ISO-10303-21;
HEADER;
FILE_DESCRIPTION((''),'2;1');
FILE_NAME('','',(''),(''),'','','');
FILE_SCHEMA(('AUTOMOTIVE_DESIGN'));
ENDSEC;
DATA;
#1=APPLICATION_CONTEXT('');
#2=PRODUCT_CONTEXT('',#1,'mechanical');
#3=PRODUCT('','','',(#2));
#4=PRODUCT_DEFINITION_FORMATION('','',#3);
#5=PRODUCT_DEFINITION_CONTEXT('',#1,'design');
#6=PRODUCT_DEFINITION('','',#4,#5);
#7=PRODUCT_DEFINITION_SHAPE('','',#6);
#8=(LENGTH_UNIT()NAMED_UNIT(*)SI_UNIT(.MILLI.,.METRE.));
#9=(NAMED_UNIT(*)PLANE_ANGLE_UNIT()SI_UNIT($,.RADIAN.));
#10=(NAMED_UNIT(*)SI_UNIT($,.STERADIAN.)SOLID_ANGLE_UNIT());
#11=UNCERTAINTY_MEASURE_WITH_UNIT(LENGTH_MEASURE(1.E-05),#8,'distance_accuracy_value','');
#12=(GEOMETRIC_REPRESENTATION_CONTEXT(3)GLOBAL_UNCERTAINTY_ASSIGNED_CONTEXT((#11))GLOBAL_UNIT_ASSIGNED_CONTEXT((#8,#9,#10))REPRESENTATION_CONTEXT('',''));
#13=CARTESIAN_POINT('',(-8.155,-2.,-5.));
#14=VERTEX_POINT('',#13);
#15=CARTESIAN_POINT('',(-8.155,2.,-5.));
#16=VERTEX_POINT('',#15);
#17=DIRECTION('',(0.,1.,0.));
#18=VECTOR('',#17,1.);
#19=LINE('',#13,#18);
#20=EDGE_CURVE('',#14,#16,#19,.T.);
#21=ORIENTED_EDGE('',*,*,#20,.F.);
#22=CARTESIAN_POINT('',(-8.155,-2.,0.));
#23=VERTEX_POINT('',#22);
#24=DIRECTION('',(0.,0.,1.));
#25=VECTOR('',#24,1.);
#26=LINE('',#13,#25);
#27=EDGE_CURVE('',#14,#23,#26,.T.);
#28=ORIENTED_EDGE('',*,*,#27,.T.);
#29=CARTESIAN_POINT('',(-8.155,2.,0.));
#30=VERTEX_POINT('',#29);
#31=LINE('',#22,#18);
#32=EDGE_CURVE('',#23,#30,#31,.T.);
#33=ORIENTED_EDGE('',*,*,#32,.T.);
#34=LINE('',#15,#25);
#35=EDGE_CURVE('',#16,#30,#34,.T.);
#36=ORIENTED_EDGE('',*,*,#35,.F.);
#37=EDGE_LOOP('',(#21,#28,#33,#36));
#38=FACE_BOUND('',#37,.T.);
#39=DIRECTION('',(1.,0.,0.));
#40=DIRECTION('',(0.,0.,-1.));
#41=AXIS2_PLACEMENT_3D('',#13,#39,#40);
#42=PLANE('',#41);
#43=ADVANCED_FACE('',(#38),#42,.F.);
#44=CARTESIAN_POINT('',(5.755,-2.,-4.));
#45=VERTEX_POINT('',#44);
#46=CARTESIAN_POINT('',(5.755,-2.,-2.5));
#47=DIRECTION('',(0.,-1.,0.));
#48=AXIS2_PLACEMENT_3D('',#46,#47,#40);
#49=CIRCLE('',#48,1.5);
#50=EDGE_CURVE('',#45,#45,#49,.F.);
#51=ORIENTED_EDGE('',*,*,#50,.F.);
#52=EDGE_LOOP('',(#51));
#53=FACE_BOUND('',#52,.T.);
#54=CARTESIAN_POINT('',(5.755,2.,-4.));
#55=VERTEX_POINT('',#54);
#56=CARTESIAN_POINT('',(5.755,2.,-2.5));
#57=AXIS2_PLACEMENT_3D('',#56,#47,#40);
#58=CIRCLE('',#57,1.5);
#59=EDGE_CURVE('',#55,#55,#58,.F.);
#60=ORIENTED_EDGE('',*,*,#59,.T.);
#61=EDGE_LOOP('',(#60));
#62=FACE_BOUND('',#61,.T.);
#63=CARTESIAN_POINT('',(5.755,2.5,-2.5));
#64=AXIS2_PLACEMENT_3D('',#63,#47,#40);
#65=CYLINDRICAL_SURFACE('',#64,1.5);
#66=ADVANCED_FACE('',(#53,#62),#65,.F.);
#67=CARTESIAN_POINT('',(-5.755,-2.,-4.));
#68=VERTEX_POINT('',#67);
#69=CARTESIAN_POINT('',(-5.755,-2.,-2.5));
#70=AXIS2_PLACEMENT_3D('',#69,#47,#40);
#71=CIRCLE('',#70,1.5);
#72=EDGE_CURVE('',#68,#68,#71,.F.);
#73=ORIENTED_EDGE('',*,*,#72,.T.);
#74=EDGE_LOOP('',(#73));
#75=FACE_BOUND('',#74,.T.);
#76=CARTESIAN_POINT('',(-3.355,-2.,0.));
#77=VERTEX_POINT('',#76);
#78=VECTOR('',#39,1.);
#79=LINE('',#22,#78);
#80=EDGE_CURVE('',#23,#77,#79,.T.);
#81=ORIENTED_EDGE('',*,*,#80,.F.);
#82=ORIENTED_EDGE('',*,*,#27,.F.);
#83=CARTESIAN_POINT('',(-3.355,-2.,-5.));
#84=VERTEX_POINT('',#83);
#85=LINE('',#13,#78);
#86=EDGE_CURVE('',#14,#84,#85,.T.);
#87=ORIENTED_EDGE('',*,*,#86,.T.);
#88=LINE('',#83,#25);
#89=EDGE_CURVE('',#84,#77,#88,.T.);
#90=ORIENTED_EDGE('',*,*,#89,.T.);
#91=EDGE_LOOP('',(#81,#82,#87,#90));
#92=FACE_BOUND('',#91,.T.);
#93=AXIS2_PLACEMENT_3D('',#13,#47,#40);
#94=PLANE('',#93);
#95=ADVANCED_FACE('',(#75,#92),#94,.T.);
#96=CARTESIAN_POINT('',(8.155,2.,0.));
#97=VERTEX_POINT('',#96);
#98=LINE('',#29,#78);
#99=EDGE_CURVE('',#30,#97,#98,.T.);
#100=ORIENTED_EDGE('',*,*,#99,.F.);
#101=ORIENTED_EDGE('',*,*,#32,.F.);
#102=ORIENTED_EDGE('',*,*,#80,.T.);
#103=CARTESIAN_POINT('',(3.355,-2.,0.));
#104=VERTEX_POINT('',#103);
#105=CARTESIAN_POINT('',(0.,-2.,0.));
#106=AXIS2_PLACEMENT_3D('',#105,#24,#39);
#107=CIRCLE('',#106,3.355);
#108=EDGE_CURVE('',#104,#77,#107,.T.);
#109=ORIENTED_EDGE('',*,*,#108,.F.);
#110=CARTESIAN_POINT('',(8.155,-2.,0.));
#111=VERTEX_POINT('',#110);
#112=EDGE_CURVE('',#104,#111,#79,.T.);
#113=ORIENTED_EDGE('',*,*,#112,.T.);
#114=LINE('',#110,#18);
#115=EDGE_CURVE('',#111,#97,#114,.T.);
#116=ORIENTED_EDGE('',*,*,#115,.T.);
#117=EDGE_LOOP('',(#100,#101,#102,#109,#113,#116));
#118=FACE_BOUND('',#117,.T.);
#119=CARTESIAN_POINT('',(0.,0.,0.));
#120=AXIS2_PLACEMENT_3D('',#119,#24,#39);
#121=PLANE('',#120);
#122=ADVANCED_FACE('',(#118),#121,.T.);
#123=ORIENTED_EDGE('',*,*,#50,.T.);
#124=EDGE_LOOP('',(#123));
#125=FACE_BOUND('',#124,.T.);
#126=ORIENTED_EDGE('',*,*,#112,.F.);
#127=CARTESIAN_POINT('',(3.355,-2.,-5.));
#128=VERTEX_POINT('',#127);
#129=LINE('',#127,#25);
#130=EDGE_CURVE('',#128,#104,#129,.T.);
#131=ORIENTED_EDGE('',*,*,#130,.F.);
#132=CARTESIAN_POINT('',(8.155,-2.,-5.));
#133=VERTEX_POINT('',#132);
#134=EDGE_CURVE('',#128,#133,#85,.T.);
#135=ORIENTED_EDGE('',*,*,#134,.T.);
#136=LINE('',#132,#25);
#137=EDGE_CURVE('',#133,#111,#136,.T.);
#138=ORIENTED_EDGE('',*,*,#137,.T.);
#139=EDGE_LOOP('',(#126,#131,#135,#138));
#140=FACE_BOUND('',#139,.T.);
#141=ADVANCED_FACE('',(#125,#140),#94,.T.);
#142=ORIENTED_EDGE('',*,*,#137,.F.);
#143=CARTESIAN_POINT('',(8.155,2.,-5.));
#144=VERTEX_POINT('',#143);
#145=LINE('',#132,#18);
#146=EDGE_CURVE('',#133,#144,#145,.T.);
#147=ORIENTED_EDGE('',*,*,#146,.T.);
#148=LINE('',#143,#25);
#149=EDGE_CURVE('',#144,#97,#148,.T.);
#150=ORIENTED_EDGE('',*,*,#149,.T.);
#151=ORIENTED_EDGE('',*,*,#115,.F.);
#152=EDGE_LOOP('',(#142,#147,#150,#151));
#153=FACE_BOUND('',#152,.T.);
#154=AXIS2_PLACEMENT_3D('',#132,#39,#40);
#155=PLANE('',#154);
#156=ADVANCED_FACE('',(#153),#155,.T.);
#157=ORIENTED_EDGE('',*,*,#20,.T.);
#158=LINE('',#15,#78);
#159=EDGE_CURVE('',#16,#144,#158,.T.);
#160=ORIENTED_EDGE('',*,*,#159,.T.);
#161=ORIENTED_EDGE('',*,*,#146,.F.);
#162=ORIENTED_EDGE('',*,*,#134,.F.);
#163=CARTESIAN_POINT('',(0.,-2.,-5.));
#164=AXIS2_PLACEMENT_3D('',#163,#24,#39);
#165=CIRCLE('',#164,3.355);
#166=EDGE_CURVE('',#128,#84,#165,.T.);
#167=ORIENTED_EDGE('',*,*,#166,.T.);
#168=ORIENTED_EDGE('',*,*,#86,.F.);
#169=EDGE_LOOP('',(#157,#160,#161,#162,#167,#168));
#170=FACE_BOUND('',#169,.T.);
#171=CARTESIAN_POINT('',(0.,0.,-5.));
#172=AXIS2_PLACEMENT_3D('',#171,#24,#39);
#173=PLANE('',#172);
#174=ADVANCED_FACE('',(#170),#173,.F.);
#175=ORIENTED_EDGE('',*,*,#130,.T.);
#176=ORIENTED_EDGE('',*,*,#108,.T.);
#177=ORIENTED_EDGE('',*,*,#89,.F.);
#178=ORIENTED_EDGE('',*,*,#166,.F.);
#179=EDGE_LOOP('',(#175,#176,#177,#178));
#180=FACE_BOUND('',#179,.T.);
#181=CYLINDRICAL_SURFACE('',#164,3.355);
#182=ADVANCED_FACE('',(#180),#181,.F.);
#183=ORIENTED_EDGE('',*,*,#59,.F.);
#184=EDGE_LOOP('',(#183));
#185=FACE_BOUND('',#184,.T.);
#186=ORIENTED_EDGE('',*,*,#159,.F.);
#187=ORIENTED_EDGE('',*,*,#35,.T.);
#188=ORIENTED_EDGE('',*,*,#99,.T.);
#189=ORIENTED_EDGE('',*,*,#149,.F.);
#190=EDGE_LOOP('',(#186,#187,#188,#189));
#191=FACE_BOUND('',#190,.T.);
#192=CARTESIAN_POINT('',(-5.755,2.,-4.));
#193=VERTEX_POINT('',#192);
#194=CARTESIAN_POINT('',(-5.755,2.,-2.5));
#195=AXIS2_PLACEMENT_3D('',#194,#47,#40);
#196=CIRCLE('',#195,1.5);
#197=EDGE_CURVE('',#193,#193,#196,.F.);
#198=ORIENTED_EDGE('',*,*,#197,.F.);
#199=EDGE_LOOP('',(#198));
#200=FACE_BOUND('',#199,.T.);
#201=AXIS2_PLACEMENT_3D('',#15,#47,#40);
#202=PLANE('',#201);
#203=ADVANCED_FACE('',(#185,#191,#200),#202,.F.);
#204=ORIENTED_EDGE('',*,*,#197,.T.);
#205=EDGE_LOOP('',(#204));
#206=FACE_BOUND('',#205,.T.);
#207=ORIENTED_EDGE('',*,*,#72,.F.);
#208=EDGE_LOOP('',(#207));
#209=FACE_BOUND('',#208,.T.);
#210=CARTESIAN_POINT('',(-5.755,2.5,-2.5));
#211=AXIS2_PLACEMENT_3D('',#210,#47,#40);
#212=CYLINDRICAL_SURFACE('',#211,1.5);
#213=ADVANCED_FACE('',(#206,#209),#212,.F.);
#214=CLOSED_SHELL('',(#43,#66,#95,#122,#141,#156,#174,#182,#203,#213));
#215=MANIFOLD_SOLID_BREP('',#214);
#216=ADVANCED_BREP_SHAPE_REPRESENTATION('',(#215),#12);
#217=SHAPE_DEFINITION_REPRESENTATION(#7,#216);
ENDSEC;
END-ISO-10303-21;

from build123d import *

# Parameters (mm, degrees)
SKETCH1_W                = 16.31
SKETCH1_H                = 4
BOSS_EXTRUDE3_DEPTH      = 5
CUT_EXTRUDE9_DEPTH       = 5
SKETCH4_R                = 1.5
CUT_EXTRUDE10_DEPTH      = 2.5
CUT_EXTRUDE10_DEPTH_BACK = 2.5


with BuildPart() as part:
    # Sketch1 → Boss-Extrude3 (new body)
    with BuildSketch(Plane.XY):
        Rectangle(SKETCH1_W, SKETCH1_H)
    extrude(amount=-BOSS_EXTRUDE3_DEPTH)

    # Sketch3 → Cut-Extrude9 (cut)
    with BuildSketch(Plane.XY):
        with BuildLine():
            Line((-3.355, -2), (3.355, -2))
            ThreePointArc((3.355, -2), (0, 1.355), (-3.355, -2))
        make_face()
    extrude(amount=-CUT_EXTRUDE9_DEPTH, mode=Mode.SUBTRACT)

    # Sketch4 → Cut-Extrude10 (cut, two sides)
    with BuildSketch(Plane(origin=(0, 0, 0), x_dir=(1, 0, 0), z_dir=(0, 1, 0))) as cut_extrude10_sk:
        with Locations((-5.755, 2.5)):
            Circle(SKETCH4_R)
        with Locations((5.755, 2.5)):
            Circle(SKETCH4_R)
    extrude(amount=CUT_EXTRUDE10_DEPTH, mode=Mode.SUBTRACT)
    extrude(cut_extrude10_sk.sketch, amount=-CUT_EXTRUDE10_DEPTH_BACK, mode=Mode.SUBTRACT)


solid = part.part
